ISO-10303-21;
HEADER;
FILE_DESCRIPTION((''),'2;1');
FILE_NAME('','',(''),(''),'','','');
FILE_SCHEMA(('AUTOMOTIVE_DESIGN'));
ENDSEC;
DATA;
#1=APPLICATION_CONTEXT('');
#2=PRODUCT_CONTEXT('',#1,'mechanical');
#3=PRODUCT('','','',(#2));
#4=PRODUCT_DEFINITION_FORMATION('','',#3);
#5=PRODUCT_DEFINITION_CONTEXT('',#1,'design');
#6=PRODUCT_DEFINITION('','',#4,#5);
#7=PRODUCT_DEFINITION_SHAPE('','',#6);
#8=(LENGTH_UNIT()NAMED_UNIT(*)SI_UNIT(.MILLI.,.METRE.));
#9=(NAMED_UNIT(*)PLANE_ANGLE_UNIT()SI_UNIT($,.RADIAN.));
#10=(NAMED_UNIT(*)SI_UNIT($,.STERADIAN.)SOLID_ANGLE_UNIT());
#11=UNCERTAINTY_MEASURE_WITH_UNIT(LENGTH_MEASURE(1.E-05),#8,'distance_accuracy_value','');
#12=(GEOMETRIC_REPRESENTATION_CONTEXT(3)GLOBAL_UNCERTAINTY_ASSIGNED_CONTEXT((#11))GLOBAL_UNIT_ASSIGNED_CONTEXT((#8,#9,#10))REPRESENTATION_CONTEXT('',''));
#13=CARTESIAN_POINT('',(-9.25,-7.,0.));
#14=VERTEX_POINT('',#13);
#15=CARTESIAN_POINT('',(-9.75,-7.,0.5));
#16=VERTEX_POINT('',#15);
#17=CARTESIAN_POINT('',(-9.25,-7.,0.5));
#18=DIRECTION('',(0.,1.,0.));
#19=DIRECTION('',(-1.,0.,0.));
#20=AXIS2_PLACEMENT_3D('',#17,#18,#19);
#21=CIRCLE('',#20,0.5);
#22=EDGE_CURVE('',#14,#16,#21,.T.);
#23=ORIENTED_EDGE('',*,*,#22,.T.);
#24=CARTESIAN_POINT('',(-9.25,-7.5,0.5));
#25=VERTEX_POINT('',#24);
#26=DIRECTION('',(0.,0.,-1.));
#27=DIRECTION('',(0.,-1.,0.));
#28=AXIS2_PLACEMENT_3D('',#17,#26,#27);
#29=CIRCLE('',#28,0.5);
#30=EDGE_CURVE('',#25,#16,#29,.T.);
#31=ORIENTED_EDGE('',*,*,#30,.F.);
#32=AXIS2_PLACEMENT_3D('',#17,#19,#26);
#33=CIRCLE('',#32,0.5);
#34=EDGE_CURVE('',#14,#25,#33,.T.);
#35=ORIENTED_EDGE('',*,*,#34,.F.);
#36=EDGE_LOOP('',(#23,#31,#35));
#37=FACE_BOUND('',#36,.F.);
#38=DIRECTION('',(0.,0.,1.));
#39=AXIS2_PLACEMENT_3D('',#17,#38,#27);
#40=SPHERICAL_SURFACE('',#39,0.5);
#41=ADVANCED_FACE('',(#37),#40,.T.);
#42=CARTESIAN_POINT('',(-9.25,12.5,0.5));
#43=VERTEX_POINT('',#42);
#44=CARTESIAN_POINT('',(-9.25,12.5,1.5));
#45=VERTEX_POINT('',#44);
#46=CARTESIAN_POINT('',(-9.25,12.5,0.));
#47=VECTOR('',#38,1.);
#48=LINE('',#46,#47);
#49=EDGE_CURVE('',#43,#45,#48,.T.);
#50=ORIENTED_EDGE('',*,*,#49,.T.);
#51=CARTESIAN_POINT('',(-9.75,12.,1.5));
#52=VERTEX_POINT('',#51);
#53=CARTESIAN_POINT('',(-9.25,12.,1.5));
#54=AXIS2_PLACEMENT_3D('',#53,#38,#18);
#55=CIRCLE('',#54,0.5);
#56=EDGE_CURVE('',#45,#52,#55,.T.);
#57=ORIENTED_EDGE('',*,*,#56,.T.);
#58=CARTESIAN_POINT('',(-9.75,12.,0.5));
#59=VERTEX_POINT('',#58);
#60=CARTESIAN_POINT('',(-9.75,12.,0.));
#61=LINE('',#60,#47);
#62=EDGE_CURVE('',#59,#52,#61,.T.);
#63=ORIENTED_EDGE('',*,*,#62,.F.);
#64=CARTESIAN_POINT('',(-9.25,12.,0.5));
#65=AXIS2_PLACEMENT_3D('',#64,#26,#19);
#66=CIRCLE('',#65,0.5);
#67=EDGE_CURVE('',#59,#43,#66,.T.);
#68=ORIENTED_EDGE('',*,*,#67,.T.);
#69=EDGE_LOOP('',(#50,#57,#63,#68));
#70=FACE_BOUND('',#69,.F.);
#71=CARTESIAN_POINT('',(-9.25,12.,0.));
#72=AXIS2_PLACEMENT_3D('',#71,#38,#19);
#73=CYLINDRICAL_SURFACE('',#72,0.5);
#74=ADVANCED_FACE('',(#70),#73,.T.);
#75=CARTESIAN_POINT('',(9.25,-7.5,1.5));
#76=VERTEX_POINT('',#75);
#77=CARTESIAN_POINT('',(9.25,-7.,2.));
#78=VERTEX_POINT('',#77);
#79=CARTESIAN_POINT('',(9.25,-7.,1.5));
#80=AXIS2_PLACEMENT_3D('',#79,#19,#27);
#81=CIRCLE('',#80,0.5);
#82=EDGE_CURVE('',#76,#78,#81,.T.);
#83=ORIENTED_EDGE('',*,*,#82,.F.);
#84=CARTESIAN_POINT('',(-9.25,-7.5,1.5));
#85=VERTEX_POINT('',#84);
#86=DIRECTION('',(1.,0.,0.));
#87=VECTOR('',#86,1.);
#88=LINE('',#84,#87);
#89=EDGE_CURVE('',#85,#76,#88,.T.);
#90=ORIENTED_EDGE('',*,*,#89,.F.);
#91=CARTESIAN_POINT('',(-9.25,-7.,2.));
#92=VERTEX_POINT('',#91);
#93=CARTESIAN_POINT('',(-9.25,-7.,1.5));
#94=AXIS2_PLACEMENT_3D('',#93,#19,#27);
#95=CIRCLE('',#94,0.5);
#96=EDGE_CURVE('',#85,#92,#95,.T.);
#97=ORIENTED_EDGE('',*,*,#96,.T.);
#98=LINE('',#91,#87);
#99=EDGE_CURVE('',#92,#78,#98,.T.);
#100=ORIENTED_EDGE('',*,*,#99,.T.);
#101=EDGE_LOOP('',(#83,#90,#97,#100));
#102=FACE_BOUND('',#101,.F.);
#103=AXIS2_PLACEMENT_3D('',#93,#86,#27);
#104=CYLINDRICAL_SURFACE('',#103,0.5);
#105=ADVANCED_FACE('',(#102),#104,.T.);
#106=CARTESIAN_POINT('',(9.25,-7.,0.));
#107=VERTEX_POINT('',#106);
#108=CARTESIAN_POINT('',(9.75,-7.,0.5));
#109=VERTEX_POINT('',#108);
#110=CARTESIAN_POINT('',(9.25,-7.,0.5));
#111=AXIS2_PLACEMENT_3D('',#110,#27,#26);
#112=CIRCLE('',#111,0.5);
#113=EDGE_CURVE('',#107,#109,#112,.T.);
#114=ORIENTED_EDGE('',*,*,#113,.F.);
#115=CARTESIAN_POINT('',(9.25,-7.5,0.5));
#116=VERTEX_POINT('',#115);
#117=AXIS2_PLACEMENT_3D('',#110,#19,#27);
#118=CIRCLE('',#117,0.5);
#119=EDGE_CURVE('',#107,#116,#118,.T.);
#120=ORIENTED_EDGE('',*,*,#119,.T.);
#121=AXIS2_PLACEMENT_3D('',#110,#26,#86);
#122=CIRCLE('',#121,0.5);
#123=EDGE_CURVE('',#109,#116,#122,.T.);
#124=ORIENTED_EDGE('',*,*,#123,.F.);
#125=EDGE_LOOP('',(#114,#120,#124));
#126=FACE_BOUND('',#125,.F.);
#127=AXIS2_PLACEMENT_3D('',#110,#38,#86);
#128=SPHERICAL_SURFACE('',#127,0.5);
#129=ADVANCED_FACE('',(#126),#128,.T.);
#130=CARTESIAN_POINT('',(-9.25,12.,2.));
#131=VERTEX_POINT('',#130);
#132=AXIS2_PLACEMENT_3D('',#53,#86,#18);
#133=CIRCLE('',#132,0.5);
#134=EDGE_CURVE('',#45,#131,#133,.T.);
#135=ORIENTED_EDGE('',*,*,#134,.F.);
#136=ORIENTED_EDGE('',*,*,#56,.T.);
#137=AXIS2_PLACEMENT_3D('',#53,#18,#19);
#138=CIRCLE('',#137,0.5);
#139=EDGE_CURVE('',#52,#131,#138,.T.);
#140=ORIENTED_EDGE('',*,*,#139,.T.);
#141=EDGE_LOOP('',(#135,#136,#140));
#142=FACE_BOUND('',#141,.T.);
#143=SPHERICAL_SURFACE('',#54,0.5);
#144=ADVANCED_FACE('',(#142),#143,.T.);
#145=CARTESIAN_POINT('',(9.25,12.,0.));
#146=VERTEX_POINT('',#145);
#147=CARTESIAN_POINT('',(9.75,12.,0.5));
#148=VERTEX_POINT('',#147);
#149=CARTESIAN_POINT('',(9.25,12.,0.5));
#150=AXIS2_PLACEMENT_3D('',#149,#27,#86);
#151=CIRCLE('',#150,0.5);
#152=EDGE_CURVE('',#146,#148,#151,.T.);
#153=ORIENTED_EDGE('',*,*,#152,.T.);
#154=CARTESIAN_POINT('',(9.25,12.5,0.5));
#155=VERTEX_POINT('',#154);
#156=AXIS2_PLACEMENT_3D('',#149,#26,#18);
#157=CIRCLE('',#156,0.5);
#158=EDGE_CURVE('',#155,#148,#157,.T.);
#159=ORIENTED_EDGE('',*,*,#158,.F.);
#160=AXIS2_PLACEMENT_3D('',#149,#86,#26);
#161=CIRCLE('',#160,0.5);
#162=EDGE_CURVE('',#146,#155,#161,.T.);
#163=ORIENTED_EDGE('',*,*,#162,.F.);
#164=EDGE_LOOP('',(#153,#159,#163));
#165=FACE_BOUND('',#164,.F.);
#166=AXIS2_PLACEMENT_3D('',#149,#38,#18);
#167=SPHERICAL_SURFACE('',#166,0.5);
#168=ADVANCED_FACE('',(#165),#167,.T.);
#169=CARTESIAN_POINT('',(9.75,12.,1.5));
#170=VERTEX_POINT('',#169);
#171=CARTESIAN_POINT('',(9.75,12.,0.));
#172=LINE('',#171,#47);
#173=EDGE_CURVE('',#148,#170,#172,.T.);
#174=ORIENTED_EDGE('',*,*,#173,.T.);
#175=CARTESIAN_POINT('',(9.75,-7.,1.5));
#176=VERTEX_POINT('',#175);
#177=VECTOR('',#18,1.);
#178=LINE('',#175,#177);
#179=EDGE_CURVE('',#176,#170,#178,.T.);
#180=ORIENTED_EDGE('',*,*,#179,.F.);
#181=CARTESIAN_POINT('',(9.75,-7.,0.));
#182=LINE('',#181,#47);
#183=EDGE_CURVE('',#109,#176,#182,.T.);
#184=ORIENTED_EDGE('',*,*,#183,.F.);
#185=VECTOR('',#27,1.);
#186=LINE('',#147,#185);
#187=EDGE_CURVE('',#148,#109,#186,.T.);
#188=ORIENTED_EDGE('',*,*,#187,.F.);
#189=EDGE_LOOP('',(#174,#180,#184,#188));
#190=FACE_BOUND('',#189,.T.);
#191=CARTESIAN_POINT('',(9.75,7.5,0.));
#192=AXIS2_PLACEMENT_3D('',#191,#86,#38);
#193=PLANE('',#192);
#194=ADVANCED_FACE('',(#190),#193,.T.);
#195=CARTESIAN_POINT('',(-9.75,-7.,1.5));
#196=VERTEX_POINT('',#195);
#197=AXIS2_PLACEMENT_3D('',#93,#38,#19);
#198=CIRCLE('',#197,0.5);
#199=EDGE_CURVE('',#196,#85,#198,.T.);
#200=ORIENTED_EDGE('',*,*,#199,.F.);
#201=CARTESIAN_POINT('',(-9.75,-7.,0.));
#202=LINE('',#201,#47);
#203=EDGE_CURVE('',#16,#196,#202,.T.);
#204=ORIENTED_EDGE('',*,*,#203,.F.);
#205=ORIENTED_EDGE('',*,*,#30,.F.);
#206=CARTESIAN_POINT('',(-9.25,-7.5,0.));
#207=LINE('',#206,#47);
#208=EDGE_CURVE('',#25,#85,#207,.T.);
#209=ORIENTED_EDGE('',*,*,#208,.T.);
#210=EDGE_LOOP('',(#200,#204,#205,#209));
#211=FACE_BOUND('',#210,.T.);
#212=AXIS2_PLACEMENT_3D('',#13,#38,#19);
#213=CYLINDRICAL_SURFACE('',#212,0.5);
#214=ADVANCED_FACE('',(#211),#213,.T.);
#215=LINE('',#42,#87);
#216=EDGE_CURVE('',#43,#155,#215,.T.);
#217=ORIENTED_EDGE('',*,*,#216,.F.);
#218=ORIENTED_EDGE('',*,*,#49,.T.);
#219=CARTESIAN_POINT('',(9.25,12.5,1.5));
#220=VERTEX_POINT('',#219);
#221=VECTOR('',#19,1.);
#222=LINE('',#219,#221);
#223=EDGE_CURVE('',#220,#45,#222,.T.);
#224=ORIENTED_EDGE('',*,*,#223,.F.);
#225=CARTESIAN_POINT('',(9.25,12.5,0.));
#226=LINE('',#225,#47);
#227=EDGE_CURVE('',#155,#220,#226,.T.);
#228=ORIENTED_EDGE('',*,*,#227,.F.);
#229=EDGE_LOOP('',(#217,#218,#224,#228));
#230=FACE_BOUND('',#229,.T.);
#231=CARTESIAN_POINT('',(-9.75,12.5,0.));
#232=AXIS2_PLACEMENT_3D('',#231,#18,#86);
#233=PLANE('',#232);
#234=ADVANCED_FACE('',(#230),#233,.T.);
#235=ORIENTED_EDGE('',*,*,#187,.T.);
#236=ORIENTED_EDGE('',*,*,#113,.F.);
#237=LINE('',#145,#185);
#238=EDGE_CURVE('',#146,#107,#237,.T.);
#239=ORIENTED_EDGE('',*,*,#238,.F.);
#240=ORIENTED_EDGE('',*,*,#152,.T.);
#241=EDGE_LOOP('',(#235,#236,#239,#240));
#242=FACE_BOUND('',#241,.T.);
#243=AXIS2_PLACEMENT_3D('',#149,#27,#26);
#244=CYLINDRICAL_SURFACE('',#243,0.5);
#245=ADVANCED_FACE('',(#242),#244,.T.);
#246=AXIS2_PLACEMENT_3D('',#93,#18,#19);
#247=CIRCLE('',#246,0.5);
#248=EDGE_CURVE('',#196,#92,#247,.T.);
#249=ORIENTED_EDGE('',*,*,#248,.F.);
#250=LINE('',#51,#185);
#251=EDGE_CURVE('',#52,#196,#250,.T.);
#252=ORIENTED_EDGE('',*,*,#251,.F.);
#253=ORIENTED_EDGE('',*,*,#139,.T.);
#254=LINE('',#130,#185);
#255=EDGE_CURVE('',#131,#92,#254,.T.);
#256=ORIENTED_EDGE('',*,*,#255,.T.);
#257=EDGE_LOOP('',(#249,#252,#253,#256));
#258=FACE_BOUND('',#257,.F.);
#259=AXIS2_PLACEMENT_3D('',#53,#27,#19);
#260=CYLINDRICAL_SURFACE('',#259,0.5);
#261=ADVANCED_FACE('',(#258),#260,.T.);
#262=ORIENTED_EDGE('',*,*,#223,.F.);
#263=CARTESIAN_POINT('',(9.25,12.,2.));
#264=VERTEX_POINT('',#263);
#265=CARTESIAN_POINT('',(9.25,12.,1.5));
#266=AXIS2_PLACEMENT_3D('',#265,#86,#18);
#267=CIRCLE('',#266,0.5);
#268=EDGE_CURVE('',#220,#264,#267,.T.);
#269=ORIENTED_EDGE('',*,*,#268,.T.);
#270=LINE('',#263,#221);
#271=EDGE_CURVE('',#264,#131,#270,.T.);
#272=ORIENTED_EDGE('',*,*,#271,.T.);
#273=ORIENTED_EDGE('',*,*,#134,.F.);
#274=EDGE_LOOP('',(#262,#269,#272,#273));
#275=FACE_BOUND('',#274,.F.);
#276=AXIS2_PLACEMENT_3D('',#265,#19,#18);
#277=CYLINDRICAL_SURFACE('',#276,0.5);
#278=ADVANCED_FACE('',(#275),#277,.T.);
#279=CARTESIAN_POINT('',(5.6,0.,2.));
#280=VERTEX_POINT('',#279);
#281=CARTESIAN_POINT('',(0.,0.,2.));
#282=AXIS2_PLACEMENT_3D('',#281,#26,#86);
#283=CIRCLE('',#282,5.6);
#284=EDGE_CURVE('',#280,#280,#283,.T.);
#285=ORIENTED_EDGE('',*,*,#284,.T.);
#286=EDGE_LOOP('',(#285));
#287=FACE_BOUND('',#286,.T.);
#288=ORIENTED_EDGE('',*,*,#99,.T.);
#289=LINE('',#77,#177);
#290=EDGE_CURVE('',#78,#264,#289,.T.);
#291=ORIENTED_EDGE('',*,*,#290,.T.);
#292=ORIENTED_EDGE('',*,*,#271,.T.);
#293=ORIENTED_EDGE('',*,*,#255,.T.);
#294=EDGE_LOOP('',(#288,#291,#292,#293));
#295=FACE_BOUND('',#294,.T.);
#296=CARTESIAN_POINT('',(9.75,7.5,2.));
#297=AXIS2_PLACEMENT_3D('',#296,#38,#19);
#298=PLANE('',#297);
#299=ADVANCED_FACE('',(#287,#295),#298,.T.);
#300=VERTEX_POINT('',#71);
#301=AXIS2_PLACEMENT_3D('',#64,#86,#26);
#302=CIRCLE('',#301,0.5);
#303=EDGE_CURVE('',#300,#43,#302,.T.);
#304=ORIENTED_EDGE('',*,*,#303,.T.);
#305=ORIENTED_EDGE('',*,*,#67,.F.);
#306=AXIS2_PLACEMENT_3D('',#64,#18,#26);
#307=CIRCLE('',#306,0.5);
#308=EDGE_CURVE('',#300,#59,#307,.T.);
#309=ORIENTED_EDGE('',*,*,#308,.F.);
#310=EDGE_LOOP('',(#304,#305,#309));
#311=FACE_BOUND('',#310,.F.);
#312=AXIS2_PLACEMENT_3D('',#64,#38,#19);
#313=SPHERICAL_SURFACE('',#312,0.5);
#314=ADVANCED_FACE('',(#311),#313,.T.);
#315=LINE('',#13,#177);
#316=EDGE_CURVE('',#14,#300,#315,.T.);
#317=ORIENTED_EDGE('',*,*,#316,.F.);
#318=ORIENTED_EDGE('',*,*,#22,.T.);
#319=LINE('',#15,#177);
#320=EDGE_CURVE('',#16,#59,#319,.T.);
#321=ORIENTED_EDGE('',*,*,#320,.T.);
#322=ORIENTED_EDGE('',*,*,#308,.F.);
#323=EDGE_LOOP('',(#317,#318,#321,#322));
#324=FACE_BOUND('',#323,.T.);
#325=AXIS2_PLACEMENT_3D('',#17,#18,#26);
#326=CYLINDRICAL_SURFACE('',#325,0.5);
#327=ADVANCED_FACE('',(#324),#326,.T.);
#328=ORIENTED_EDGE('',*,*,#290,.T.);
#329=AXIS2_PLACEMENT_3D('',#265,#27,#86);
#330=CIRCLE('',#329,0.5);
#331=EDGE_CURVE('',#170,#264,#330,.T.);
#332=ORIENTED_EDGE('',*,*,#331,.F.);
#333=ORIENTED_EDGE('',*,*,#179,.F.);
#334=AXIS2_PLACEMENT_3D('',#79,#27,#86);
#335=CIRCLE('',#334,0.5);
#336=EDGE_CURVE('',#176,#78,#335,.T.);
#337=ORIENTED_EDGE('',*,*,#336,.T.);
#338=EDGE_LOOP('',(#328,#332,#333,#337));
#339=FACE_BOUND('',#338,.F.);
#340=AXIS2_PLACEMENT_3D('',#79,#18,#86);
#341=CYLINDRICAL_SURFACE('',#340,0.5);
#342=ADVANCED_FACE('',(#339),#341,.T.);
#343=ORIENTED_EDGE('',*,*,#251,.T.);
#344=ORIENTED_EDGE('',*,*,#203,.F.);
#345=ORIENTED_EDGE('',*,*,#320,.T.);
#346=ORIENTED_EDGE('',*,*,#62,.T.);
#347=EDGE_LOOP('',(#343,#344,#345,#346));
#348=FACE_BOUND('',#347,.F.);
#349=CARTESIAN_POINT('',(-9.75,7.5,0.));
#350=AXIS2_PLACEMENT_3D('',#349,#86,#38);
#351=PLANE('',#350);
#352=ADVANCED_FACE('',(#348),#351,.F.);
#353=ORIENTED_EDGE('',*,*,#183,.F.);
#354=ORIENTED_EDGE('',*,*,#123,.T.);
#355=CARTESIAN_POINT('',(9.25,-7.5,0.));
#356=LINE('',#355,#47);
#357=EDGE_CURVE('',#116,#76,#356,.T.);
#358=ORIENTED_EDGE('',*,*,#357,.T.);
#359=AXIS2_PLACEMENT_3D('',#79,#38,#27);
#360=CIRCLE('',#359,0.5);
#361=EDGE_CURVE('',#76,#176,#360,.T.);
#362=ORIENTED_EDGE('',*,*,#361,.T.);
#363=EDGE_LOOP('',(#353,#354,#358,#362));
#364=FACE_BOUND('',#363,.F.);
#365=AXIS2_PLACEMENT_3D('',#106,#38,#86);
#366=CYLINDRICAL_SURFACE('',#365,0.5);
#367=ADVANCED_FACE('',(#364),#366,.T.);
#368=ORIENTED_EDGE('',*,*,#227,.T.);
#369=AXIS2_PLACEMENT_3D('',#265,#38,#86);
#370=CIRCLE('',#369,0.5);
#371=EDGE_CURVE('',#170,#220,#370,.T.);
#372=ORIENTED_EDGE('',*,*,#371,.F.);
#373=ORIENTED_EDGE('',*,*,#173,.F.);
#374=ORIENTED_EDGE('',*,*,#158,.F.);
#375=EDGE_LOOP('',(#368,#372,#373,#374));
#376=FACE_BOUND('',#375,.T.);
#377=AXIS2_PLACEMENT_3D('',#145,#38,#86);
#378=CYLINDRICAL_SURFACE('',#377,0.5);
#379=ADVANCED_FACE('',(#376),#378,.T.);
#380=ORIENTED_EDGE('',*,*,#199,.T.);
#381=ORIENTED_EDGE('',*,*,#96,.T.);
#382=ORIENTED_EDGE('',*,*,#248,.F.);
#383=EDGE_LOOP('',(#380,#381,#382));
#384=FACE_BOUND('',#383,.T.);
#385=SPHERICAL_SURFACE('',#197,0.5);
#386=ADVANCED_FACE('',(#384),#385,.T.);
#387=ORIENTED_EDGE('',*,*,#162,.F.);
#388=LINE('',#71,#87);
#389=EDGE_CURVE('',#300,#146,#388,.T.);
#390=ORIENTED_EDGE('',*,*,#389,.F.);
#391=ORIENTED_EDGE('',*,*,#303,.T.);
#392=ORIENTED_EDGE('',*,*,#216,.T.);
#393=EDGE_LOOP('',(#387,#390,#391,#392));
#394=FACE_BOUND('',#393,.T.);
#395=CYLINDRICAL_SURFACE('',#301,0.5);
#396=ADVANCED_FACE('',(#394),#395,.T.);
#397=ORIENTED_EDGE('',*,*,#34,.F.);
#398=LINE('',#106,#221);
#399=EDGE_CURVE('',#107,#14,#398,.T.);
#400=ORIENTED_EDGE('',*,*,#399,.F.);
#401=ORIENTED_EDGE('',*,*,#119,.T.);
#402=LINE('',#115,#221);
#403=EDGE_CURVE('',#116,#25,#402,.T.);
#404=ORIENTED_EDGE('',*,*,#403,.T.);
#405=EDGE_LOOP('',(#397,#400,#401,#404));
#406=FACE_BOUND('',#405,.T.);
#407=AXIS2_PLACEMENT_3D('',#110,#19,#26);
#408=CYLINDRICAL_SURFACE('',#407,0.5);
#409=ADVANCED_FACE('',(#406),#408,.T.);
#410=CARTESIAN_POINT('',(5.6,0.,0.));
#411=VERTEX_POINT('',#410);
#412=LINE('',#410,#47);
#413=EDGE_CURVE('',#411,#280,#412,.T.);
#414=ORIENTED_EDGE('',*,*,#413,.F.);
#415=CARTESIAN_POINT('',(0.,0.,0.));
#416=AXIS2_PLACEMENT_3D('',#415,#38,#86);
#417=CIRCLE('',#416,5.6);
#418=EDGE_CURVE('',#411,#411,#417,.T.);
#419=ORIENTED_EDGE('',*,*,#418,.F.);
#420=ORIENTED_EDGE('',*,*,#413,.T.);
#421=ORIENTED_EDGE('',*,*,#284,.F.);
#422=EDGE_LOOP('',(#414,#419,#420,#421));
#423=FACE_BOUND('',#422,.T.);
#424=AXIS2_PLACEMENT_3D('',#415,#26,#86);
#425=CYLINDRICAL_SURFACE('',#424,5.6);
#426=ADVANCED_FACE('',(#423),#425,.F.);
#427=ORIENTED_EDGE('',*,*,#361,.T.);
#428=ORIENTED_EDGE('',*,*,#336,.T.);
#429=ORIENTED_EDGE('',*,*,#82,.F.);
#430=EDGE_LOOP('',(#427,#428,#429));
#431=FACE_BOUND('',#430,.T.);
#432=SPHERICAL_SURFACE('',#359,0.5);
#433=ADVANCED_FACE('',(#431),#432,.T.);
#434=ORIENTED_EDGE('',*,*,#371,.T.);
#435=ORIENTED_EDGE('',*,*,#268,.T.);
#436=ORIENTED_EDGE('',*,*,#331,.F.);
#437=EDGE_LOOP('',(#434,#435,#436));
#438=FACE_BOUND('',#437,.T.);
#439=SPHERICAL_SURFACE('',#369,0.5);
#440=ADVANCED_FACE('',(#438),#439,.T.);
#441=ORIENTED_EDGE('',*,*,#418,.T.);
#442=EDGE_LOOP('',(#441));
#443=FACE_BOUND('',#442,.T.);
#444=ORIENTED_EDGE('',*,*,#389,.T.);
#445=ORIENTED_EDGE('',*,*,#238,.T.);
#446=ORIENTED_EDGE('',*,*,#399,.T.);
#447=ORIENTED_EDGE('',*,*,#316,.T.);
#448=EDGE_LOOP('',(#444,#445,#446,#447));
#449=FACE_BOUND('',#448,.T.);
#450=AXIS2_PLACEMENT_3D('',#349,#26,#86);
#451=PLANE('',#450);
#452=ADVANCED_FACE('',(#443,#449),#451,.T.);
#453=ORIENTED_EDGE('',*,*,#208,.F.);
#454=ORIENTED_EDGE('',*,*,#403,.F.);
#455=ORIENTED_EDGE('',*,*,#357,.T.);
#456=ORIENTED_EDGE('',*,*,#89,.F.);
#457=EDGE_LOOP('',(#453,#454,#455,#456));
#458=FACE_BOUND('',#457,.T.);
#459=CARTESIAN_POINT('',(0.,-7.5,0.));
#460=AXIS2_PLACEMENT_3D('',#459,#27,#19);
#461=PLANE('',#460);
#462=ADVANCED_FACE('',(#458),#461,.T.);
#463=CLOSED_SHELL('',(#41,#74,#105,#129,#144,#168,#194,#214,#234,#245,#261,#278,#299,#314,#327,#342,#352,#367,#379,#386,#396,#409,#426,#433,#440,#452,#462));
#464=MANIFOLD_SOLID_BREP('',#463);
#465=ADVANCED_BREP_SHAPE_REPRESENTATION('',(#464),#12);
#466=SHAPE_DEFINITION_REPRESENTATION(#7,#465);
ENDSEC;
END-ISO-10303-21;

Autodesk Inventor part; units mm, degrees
ref_plane "YZ Plane" through (0, 0, 0) normal (1, 0, 0) x (0, 1, 0)
ref_plane "XZ Plane" through (0, 0, 0) normal (0, 1, 0) x (-1, 0, 0)
ref_plane "XY Plane" through (0, 0, 0) normal (0, 0, 1) x (1, 0, 0)
sketch "Sketch1" plane through (0, 0, 0) normal (0, 0, 1) x (1, 0, 0)
  line L0 (-9.75, -4.725) -> (-9.75, 4.725) projected
  line L1 (9.75, 4.725) -> (9.75, -4.725) projected
  circle A0 centre (0, 0) radius 5.6
  line L2 (0, 0) -> (0, 7.5)
  line L3 (0, 0) -> (0, -7.5)
  line L4 (-9.75, 7.5) -> (9.75, 7.5)
  line L5 (9.75, 7.5) -> (9.75, -7.5)
  line L6 (9.75, -7.5) -> (-9.75, -7.5)
  line L7 (-9.75, -7.5) -> (-9.75, 7.5)
  point P0 (0, 0)
  dimension "d0" = 11.2
  dimension "d5" = 7.5
  dimension "d6" = 7.5
extrude "Extrusion1" add sketch "Sketch1" along normal blind 2 contours L0 L7 L4 L2 A0 L3 L6 | L3 A0 L2 L4 L5 L1 L6
sketch "Sketch2" plane through (-9.75, 7.5, 0) normal (0, 1, 0) x (1, 0, 0)
  line L0 (0, 0) -> (19.5, 0) projected
  line L1 (0, 0) -> (0, -2) projected
  line L2 (19.5, -2) -> (0, -2) projected
  line L3 (19.5, 0) -> (19.5, -2) projected
  point P0 (9.75, 0)
extrude "Extrusion2" add sketch "Sketch2" along normal blind 5
fillet "Fillet3" radius 0.5 4 edges at (-9.75, 12.5, 1) (9.75, 12.5, 1) (-9.75, -7.5, 1) (9.75, -7.5, 1)
fillet "Fillet4" radius 0.5 12 edges at (0, 12.5, 0) (9.75, 2.5, 0) (9.6036, -7.3536, 0) (0, -7.5, 0) (-9.6036, -7.3536, 0) (-9.75, 2.5, 0) (0, 12.5, 2) (9.75, 2.5, 2) (9.6036, -7.3536, 2) (0, -7.5, 2) (-9.6036, -7.3536, 2) (-9.75, 2.5, 2)
properties part number "SyringeAttachment"
